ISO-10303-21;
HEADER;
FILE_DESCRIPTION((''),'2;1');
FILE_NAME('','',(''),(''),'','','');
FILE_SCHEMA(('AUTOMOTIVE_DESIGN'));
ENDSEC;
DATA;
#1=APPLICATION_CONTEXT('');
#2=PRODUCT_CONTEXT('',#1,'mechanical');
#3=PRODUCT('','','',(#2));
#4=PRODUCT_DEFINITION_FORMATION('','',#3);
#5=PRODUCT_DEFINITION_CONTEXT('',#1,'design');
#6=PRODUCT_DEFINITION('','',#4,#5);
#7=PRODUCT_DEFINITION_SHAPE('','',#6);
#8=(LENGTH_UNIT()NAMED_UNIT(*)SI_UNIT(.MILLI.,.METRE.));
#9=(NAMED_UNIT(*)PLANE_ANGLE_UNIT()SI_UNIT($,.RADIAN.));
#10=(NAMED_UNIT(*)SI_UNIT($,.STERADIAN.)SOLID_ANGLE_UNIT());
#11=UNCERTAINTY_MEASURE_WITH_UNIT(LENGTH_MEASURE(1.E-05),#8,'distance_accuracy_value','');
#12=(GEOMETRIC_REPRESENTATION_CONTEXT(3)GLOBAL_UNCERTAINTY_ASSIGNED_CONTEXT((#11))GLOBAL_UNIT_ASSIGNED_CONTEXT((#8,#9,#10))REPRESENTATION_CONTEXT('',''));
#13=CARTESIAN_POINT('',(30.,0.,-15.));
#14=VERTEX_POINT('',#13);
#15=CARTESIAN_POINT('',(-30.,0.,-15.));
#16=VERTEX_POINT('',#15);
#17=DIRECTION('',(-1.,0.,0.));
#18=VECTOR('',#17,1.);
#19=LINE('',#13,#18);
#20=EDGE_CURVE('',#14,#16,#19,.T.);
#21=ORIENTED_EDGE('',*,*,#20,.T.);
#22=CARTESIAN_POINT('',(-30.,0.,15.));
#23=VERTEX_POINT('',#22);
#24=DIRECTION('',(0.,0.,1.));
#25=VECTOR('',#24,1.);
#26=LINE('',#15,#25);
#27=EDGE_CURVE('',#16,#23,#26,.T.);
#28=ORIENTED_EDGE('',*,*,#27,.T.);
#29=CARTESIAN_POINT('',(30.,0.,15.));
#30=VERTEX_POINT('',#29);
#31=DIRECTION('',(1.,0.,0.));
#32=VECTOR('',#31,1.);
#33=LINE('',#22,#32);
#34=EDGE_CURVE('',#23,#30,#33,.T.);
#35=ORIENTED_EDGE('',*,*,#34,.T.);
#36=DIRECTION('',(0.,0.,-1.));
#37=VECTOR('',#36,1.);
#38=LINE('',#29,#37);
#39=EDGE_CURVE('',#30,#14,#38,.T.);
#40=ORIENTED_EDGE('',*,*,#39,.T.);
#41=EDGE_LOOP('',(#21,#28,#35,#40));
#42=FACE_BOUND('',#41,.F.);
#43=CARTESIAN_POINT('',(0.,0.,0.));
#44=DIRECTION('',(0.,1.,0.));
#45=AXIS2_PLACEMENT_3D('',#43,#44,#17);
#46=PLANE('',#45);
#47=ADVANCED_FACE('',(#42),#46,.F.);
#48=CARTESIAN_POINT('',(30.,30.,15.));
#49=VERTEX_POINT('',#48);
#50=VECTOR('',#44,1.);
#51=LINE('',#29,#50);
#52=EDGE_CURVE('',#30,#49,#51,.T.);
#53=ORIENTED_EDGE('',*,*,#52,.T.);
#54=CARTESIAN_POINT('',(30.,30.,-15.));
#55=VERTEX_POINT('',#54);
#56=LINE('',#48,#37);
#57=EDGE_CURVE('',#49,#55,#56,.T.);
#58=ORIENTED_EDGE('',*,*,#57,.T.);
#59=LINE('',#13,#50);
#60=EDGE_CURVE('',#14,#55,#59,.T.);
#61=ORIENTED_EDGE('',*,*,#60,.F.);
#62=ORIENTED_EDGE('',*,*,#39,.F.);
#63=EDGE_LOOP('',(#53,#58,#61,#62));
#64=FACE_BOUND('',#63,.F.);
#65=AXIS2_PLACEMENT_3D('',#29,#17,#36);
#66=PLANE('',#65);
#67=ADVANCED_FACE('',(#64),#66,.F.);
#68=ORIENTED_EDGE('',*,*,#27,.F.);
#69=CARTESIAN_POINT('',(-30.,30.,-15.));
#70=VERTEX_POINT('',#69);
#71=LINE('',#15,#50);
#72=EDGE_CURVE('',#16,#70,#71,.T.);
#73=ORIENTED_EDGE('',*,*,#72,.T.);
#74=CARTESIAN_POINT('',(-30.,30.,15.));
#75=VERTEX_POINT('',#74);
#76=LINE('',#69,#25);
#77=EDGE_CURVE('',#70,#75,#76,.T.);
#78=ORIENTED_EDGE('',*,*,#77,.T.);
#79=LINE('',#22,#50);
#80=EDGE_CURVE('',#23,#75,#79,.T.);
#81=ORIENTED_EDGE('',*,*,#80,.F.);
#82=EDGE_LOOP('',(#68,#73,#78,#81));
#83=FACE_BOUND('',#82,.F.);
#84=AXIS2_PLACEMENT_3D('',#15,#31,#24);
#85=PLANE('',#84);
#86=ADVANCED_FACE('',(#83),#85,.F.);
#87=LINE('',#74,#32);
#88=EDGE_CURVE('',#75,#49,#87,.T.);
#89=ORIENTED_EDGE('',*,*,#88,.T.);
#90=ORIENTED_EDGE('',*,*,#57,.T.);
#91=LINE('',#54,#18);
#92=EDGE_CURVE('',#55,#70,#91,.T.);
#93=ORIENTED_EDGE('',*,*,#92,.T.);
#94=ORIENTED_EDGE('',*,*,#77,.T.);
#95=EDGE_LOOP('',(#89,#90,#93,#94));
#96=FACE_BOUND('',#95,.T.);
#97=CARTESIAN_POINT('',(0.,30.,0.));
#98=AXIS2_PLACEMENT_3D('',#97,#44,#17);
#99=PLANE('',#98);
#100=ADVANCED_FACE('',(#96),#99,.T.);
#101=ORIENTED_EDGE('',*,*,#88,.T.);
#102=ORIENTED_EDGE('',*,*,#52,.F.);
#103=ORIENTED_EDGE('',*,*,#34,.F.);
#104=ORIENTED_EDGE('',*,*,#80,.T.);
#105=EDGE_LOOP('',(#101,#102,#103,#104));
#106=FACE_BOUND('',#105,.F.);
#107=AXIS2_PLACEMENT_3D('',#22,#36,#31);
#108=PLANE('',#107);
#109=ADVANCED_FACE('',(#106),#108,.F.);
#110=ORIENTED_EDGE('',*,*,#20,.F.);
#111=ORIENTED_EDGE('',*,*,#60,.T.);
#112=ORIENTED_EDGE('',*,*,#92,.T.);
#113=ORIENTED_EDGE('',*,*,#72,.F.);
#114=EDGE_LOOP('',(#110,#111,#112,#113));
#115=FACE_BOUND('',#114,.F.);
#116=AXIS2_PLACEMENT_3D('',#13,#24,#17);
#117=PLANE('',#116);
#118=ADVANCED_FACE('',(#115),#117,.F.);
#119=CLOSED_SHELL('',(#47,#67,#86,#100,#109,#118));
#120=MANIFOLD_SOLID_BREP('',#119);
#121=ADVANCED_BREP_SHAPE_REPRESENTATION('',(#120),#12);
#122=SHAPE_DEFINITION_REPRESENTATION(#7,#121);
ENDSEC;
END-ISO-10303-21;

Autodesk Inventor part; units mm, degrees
ref_plane "YZ Plane" through (0, 0, 0) normal (1, 0, 0) x (0, 1, 0)
ref_plane "XZ Plane" through (0, 0, 0) normal (0, 1, 0) x (-1, 0, 0)
ref_plane "XY Plane" through (0, 0, 0) normal (0, 0, 1) x (1, 0, 0)
sketch "Skizze1" plane through (0, 0, 0) normal (0, 1, 0) x (-1, 0, 0)
  line L0 (30, 15) -> (-30, 15)
  line L1 (-30, 15) -> (-30, -15)
  line L2 (-30, -15) -> (30, -15)
  line L3 (30, -15) -> (30, 15)
  point P0 (0, 0)
  dimension "d0" = 15
  dimension "d1" = 30
  dimension "d2" = 30
  dimension "d3" = 60
extrude "Extrusion1" add sketch "Skizze1" along normal blind 30
properties part number "Erhöhung"
